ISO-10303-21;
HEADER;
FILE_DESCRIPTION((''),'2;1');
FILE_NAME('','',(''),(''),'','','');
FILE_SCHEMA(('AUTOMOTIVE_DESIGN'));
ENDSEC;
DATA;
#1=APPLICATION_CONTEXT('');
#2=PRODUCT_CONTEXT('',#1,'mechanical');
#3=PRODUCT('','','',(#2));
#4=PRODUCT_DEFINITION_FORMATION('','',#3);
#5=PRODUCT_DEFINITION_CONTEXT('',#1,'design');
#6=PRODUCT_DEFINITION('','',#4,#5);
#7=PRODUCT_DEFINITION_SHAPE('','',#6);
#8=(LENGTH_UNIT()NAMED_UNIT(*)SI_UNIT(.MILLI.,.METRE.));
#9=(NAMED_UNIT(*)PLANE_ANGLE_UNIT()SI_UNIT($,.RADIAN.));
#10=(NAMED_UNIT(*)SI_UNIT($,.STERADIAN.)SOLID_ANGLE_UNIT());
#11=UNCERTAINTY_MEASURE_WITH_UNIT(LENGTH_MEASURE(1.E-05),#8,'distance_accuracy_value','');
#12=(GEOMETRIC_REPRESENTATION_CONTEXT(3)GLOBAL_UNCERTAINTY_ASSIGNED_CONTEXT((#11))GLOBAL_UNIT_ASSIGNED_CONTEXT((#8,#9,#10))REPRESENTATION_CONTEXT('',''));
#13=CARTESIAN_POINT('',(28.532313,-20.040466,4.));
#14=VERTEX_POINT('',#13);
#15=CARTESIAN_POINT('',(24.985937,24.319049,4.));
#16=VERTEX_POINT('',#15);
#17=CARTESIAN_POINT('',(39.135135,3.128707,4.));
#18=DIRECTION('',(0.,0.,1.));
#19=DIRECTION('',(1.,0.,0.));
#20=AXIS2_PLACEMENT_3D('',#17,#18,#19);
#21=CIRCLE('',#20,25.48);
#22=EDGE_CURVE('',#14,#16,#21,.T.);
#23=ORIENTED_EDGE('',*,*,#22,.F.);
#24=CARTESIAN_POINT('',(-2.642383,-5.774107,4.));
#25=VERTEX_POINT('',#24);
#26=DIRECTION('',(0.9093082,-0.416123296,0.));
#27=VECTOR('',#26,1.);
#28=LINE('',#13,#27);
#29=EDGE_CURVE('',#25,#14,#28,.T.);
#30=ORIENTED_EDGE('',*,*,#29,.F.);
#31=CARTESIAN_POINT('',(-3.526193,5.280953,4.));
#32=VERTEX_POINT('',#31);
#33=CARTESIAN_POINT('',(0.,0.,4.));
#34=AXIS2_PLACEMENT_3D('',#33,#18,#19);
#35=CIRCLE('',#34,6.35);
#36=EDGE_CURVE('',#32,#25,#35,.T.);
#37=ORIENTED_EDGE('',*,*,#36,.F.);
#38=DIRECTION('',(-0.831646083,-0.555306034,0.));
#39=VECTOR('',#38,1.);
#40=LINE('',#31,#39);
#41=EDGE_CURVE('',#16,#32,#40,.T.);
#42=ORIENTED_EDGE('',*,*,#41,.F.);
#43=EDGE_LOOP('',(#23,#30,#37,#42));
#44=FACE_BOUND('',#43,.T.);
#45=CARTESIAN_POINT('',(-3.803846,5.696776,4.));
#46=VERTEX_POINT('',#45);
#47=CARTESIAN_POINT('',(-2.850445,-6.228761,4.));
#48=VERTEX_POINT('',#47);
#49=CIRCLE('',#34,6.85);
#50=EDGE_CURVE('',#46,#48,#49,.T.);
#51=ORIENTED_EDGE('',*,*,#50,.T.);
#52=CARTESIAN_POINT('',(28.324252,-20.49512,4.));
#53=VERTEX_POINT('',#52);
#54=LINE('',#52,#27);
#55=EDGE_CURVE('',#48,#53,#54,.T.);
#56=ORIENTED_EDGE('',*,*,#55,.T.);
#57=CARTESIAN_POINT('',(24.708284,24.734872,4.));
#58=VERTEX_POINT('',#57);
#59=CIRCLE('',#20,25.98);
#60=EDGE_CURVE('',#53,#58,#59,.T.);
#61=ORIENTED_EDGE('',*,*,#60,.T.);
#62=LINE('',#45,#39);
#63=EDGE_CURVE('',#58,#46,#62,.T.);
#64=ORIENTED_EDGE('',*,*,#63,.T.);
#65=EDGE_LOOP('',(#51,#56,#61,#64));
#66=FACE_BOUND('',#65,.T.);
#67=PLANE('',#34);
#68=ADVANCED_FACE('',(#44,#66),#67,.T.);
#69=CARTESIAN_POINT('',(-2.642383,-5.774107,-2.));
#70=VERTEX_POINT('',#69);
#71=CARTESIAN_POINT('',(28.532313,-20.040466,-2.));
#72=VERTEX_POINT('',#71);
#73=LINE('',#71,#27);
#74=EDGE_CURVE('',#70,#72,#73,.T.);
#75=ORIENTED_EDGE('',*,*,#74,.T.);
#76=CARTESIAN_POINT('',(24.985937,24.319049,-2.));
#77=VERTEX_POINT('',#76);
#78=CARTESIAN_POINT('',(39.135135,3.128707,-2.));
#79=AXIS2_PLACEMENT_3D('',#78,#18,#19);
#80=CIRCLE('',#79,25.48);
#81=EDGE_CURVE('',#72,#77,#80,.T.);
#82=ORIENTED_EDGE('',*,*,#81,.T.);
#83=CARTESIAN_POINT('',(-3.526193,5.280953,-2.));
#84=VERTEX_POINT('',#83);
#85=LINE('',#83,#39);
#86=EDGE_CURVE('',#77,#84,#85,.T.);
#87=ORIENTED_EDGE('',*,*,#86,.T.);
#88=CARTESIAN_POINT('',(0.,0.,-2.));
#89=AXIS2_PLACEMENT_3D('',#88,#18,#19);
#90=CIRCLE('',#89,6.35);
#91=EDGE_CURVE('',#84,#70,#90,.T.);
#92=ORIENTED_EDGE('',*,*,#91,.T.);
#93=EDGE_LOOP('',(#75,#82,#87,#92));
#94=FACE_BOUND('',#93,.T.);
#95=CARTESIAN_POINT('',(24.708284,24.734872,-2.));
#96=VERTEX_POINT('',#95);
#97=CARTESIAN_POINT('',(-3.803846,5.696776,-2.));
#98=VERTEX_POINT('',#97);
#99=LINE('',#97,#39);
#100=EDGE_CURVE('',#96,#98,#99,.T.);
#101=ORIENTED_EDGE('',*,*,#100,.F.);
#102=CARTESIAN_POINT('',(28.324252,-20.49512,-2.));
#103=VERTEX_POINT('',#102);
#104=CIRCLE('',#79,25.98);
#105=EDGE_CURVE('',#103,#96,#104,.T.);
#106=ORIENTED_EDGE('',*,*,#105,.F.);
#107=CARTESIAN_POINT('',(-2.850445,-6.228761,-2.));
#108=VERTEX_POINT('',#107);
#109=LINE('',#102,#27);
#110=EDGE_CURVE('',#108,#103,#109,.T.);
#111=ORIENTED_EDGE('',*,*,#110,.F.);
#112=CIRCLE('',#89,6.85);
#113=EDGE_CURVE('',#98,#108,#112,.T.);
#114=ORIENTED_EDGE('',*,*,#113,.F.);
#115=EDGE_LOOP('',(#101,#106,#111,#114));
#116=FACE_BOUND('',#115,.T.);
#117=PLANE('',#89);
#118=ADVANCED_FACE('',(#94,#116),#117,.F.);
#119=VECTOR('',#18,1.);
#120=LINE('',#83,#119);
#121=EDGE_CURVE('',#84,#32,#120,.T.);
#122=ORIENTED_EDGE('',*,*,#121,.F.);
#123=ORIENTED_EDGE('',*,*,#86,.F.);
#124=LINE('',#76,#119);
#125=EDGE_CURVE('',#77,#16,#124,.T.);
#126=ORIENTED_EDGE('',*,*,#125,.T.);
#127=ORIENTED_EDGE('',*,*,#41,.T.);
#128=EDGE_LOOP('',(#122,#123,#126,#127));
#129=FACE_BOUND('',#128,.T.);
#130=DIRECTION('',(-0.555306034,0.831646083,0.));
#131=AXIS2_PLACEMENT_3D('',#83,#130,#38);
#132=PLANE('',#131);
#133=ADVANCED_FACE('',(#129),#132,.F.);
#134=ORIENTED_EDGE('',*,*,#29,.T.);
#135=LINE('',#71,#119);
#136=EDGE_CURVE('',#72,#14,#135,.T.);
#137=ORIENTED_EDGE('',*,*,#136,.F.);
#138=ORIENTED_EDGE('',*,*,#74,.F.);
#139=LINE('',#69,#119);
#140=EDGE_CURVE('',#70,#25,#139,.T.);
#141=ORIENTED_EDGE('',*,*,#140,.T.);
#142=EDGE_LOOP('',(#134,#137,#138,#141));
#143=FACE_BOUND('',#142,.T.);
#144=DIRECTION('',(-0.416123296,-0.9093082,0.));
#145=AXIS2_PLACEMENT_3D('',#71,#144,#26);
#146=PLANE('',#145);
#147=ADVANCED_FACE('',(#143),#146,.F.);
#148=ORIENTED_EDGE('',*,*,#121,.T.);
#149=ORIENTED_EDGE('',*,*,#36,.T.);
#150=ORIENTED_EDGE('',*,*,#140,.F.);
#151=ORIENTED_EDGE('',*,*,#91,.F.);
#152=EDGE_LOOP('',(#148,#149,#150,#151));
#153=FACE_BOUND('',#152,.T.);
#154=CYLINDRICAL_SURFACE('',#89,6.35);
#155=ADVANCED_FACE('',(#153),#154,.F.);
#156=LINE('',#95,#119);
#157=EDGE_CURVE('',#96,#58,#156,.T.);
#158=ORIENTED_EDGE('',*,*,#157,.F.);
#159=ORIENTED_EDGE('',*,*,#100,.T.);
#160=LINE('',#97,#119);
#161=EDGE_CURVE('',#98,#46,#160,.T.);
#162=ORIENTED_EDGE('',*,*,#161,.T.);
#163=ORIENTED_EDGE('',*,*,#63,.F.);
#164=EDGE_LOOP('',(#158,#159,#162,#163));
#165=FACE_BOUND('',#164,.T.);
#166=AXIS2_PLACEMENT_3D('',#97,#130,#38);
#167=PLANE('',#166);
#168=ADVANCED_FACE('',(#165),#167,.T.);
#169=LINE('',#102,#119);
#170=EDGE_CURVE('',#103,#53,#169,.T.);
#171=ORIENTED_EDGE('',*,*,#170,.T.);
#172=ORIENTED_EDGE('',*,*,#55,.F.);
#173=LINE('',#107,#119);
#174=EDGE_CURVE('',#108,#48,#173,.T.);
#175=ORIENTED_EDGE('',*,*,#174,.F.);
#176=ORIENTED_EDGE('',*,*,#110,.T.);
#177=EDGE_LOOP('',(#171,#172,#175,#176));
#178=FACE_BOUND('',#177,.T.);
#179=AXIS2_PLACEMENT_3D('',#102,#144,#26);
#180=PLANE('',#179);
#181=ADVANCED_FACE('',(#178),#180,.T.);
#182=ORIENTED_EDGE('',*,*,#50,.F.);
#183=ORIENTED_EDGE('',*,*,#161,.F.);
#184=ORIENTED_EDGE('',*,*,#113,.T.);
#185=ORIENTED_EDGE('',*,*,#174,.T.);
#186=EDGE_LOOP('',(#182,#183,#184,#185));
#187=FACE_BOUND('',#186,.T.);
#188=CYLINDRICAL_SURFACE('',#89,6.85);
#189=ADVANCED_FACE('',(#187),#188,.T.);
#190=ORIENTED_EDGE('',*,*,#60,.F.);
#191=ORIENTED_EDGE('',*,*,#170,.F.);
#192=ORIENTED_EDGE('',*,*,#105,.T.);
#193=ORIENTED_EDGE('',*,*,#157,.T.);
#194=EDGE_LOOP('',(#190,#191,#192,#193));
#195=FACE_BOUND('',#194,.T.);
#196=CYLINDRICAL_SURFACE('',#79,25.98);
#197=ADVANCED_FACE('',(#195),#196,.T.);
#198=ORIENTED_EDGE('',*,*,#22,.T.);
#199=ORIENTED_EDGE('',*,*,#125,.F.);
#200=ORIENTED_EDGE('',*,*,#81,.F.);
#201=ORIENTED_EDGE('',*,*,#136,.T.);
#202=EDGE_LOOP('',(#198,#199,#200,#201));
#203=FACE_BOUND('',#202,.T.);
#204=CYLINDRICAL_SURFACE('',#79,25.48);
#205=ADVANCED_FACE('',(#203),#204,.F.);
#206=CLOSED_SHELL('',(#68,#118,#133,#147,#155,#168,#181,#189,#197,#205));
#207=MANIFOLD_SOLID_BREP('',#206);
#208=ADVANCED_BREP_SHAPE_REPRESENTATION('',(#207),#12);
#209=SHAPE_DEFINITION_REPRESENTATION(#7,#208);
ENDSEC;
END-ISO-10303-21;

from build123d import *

# Parameters (mm, degrees)
BOSS_EXTRUDE1_DEPTH      = 4
BOSS_EXTRUDE1_DEPTH_BACK = 2


with BuildPart() as part:
    # Sketch3 → Boss-Extrude1 (new body, two sides)
    with BuildSketch(Plane.XY) as boss_extrude1_sk:
        with BuildLine():
            Line((-3.803846336, 5.696775672), (24.708284265, 24.734871916))
            ThreePointArc((24.708284265, 24.734871916), (65.032506622, 5.199104), (28.324251817, -20.49512037))
            Line((28.324251817, -20.49512037), (-2.850444576, -6.228761171))
            ThreePointArc((-2.850444576, -6.228761171), (-6.828213831, -0.545889982), (-3.803846336, 5.696775672))
        make_face()
        with BuildLine():
            Line((-3.526193319, 5.28095263), (24.985937282, 24.319048874))
            ThreePointArc((24.985937282, 24.319048874), (64.534096854, 5.159258016), (28.532313465, -20.04046627))
            Line((28.532313465, -20.04046627), (-2.642382928, -5.774107071))
            ThreePointArc((-2.642382928, -5.774107071), (-6.329804063, -0.506043998), (-3.526193319, 5.28095263))
        make_face(mode=Mode.SUBTRACT)
    extrude(amount=BOSS_EXTRUDE1_DEPTH)
    extrude(boss_extrude1_sk.sketch, amount=-BOSS_EXTRUDE1_DEPTH_BACK)


solid = part.part
